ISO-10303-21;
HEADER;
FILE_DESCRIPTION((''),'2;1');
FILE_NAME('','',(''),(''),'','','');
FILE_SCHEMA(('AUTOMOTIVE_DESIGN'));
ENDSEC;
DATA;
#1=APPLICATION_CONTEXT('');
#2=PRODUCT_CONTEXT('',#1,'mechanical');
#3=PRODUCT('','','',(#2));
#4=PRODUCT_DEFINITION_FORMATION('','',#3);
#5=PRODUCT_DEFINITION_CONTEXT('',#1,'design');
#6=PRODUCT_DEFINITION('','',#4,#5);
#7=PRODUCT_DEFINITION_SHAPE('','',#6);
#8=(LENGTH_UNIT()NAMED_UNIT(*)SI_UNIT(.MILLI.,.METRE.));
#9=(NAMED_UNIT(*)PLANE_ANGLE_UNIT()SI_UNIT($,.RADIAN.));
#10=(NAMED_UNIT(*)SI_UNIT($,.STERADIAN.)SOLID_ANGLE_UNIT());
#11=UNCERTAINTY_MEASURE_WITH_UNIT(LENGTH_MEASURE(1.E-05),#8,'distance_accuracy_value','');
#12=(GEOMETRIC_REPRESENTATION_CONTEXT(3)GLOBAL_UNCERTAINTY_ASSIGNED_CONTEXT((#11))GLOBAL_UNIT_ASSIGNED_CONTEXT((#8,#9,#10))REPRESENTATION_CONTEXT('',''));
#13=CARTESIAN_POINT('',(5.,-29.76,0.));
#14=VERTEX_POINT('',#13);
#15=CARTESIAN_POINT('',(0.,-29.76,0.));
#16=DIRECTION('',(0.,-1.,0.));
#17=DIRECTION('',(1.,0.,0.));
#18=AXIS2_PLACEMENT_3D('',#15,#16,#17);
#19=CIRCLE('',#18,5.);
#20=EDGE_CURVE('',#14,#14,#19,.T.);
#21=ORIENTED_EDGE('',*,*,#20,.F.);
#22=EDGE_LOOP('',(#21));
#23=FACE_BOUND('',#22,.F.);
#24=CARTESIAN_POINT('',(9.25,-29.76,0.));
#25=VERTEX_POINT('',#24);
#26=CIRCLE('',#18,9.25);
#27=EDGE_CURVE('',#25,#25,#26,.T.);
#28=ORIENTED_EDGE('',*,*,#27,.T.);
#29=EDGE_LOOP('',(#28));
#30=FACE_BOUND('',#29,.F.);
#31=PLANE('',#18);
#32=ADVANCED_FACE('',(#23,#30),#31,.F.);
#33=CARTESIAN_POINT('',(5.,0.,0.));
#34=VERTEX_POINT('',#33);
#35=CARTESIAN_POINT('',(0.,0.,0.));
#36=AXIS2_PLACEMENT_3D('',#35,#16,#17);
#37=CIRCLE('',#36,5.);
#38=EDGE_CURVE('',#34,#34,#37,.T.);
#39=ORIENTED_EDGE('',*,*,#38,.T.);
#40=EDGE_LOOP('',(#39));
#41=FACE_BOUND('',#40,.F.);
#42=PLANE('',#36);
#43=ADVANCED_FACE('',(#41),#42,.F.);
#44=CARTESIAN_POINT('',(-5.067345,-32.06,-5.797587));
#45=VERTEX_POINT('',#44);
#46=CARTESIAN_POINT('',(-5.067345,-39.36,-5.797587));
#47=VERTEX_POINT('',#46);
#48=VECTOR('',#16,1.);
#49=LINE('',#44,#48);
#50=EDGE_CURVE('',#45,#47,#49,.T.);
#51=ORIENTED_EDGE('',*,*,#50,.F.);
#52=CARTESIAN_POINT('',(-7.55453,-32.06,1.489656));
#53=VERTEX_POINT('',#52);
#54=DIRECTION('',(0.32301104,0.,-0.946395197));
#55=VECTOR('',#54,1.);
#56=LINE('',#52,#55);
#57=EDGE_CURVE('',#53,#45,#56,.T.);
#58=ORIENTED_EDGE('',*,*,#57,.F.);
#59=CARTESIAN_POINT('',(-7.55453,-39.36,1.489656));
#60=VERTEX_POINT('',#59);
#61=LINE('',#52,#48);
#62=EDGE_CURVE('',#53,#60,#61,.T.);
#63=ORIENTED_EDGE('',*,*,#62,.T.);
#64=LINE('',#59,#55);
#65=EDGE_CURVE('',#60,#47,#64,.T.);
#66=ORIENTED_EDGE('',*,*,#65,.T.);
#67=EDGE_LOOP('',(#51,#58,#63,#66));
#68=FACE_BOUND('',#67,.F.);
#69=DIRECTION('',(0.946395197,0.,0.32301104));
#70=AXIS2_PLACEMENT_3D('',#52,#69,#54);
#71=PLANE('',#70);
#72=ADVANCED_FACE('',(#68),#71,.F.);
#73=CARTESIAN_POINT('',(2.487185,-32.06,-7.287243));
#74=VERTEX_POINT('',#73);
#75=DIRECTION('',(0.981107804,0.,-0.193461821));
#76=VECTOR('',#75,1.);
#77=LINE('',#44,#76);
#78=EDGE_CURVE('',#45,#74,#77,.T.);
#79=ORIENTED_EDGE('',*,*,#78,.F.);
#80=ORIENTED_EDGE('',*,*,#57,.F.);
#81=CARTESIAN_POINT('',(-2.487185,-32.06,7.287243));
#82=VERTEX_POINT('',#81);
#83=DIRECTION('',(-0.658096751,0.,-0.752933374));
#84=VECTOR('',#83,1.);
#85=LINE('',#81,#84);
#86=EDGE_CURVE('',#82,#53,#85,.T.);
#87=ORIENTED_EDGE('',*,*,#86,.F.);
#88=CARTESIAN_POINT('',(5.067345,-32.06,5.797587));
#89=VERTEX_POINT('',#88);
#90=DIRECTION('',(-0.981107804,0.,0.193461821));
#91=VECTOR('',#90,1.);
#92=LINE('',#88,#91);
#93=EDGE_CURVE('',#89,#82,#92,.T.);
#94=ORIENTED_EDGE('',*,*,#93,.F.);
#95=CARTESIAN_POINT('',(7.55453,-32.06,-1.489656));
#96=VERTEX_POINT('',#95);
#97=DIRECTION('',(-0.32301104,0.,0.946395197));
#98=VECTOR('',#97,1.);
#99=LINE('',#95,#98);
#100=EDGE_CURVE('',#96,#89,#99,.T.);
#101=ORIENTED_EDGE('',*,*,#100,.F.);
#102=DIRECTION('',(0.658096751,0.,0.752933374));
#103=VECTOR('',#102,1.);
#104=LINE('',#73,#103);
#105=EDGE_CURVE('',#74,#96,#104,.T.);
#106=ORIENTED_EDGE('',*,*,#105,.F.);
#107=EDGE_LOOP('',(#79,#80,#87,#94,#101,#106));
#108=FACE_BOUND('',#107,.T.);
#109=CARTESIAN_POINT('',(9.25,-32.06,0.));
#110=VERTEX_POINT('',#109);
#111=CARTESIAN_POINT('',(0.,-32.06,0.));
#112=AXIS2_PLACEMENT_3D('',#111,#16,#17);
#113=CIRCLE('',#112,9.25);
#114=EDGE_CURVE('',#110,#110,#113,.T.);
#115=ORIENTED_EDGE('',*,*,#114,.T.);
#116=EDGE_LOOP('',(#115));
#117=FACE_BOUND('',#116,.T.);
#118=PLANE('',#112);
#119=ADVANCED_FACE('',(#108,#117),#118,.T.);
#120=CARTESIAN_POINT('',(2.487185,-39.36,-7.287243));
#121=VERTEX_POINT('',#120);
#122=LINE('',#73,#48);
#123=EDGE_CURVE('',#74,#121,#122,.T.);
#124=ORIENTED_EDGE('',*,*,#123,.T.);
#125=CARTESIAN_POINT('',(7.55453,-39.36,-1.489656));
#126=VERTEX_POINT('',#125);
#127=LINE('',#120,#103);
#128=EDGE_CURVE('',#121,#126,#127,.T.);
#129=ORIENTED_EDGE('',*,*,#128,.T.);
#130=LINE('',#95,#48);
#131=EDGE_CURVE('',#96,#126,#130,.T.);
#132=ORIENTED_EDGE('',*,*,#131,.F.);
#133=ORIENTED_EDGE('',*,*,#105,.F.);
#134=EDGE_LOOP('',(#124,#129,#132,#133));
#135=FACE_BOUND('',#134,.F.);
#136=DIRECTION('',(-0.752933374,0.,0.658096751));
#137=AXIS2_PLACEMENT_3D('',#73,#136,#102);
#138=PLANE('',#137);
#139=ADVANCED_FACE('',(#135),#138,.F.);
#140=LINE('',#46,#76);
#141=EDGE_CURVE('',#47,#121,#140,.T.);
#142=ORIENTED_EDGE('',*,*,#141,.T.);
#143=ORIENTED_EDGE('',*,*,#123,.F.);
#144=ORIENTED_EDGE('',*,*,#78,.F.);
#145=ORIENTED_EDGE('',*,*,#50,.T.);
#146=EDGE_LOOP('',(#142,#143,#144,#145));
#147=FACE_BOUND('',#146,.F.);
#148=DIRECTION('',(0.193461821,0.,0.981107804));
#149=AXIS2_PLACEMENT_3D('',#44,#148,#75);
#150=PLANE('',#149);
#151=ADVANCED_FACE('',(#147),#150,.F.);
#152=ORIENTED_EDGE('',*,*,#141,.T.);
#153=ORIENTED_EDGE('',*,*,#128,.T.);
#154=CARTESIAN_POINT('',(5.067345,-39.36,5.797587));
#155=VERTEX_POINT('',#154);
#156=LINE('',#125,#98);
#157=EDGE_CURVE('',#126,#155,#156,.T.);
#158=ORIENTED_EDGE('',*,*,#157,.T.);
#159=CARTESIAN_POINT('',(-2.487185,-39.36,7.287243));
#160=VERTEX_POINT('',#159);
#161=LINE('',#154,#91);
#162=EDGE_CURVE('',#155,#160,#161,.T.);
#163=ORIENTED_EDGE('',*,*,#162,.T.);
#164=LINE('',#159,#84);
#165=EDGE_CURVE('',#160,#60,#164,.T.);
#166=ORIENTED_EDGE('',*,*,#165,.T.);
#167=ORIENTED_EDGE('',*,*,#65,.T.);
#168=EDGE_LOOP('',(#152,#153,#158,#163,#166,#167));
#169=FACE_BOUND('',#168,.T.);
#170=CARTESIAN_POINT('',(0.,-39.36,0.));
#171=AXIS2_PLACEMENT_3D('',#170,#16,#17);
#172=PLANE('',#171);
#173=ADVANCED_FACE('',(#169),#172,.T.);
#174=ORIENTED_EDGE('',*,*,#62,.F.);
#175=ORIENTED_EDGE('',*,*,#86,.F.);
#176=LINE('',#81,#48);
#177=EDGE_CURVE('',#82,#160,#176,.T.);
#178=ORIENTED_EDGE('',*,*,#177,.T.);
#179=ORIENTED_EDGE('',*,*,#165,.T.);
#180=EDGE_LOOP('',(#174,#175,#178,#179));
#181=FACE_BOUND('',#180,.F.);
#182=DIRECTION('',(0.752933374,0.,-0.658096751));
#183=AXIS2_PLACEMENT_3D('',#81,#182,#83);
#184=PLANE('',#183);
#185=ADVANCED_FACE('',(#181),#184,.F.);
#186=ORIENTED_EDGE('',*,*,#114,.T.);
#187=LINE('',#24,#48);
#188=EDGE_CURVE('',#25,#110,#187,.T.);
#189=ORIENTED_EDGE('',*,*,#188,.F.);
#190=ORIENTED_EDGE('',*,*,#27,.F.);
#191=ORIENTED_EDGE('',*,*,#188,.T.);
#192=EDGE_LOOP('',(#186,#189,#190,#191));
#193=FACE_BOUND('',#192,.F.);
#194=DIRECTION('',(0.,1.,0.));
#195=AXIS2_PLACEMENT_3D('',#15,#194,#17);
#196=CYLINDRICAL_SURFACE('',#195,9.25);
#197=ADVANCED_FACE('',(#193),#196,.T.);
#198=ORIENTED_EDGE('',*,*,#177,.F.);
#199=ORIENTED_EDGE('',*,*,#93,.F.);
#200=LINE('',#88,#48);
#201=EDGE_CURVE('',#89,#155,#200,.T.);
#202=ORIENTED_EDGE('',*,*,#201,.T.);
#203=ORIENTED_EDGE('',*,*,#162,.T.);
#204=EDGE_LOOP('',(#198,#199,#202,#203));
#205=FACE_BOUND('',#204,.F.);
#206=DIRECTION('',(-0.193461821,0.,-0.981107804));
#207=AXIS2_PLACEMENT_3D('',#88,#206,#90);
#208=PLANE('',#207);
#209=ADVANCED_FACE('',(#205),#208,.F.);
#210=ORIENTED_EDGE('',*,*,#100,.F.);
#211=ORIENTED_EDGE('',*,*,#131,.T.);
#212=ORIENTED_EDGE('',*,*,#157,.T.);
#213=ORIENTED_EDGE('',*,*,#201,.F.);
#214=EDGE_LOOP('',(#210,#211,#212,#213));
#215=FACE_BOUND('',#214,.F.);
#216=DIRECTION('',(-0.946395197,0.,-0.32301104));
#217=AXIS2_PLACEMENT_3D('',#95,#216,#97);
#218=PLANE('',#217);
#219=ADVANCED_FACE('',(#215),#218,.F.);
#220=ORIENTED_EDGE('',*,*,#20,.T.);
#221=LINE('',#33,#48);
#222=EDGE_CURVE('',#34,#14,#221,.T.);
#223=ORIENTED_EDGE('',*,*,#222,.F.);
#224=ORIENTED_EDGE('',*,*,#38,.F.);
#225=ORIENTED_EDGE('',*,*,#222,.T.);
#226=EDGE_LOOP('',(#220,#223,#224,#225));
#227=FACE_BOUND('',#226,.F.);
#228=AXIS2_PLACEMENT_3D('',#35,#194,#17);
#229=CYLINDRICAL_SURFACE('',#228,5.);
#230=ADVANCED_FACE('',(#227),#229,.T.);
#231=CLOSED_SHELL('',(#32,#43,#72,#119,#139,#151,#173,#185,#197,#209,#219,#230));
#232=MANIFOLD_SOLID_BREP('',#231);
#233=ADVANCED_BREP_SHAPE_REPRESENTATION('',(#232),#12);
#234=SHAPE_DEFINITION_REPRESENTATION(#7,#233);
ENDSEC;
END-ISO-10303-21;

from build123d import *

# Parameters (mm, degrees)
F0_R     = 5
F1_DEPTH = 29.76
F3_R     = 9.25
F4_DEPTH = 2.3
F7_DEPTH = 7.3


with BuildPart() as f1:
    # F0 (on Front) → F1 (new body)
    with BuildSketch(Plane.XZ):
        Circle(F0_R)
    extrude(amount=F1_DEPTH)

    # F3 (on offset) → F4 (join)
    with BuildSketch(Plane.XZ.offset(29.76)):
        Circle(F3_R)
    extrude(amount=F4_DEPTH)

    # F6 (on offset) → F7 (join)
    with BuildSketch(Plane.XZ.offset(32.06)):
        Polygon((7.55453, -1.489656), (5.067345, 5.797587), (-2.487185, 7.287243), (-7.55453, 1.489656), (-5.067345, -5.797587), (2.487185, -7.287243), align=None)
    extrude(amount=F7_DEPTH)


solid = f1.part
